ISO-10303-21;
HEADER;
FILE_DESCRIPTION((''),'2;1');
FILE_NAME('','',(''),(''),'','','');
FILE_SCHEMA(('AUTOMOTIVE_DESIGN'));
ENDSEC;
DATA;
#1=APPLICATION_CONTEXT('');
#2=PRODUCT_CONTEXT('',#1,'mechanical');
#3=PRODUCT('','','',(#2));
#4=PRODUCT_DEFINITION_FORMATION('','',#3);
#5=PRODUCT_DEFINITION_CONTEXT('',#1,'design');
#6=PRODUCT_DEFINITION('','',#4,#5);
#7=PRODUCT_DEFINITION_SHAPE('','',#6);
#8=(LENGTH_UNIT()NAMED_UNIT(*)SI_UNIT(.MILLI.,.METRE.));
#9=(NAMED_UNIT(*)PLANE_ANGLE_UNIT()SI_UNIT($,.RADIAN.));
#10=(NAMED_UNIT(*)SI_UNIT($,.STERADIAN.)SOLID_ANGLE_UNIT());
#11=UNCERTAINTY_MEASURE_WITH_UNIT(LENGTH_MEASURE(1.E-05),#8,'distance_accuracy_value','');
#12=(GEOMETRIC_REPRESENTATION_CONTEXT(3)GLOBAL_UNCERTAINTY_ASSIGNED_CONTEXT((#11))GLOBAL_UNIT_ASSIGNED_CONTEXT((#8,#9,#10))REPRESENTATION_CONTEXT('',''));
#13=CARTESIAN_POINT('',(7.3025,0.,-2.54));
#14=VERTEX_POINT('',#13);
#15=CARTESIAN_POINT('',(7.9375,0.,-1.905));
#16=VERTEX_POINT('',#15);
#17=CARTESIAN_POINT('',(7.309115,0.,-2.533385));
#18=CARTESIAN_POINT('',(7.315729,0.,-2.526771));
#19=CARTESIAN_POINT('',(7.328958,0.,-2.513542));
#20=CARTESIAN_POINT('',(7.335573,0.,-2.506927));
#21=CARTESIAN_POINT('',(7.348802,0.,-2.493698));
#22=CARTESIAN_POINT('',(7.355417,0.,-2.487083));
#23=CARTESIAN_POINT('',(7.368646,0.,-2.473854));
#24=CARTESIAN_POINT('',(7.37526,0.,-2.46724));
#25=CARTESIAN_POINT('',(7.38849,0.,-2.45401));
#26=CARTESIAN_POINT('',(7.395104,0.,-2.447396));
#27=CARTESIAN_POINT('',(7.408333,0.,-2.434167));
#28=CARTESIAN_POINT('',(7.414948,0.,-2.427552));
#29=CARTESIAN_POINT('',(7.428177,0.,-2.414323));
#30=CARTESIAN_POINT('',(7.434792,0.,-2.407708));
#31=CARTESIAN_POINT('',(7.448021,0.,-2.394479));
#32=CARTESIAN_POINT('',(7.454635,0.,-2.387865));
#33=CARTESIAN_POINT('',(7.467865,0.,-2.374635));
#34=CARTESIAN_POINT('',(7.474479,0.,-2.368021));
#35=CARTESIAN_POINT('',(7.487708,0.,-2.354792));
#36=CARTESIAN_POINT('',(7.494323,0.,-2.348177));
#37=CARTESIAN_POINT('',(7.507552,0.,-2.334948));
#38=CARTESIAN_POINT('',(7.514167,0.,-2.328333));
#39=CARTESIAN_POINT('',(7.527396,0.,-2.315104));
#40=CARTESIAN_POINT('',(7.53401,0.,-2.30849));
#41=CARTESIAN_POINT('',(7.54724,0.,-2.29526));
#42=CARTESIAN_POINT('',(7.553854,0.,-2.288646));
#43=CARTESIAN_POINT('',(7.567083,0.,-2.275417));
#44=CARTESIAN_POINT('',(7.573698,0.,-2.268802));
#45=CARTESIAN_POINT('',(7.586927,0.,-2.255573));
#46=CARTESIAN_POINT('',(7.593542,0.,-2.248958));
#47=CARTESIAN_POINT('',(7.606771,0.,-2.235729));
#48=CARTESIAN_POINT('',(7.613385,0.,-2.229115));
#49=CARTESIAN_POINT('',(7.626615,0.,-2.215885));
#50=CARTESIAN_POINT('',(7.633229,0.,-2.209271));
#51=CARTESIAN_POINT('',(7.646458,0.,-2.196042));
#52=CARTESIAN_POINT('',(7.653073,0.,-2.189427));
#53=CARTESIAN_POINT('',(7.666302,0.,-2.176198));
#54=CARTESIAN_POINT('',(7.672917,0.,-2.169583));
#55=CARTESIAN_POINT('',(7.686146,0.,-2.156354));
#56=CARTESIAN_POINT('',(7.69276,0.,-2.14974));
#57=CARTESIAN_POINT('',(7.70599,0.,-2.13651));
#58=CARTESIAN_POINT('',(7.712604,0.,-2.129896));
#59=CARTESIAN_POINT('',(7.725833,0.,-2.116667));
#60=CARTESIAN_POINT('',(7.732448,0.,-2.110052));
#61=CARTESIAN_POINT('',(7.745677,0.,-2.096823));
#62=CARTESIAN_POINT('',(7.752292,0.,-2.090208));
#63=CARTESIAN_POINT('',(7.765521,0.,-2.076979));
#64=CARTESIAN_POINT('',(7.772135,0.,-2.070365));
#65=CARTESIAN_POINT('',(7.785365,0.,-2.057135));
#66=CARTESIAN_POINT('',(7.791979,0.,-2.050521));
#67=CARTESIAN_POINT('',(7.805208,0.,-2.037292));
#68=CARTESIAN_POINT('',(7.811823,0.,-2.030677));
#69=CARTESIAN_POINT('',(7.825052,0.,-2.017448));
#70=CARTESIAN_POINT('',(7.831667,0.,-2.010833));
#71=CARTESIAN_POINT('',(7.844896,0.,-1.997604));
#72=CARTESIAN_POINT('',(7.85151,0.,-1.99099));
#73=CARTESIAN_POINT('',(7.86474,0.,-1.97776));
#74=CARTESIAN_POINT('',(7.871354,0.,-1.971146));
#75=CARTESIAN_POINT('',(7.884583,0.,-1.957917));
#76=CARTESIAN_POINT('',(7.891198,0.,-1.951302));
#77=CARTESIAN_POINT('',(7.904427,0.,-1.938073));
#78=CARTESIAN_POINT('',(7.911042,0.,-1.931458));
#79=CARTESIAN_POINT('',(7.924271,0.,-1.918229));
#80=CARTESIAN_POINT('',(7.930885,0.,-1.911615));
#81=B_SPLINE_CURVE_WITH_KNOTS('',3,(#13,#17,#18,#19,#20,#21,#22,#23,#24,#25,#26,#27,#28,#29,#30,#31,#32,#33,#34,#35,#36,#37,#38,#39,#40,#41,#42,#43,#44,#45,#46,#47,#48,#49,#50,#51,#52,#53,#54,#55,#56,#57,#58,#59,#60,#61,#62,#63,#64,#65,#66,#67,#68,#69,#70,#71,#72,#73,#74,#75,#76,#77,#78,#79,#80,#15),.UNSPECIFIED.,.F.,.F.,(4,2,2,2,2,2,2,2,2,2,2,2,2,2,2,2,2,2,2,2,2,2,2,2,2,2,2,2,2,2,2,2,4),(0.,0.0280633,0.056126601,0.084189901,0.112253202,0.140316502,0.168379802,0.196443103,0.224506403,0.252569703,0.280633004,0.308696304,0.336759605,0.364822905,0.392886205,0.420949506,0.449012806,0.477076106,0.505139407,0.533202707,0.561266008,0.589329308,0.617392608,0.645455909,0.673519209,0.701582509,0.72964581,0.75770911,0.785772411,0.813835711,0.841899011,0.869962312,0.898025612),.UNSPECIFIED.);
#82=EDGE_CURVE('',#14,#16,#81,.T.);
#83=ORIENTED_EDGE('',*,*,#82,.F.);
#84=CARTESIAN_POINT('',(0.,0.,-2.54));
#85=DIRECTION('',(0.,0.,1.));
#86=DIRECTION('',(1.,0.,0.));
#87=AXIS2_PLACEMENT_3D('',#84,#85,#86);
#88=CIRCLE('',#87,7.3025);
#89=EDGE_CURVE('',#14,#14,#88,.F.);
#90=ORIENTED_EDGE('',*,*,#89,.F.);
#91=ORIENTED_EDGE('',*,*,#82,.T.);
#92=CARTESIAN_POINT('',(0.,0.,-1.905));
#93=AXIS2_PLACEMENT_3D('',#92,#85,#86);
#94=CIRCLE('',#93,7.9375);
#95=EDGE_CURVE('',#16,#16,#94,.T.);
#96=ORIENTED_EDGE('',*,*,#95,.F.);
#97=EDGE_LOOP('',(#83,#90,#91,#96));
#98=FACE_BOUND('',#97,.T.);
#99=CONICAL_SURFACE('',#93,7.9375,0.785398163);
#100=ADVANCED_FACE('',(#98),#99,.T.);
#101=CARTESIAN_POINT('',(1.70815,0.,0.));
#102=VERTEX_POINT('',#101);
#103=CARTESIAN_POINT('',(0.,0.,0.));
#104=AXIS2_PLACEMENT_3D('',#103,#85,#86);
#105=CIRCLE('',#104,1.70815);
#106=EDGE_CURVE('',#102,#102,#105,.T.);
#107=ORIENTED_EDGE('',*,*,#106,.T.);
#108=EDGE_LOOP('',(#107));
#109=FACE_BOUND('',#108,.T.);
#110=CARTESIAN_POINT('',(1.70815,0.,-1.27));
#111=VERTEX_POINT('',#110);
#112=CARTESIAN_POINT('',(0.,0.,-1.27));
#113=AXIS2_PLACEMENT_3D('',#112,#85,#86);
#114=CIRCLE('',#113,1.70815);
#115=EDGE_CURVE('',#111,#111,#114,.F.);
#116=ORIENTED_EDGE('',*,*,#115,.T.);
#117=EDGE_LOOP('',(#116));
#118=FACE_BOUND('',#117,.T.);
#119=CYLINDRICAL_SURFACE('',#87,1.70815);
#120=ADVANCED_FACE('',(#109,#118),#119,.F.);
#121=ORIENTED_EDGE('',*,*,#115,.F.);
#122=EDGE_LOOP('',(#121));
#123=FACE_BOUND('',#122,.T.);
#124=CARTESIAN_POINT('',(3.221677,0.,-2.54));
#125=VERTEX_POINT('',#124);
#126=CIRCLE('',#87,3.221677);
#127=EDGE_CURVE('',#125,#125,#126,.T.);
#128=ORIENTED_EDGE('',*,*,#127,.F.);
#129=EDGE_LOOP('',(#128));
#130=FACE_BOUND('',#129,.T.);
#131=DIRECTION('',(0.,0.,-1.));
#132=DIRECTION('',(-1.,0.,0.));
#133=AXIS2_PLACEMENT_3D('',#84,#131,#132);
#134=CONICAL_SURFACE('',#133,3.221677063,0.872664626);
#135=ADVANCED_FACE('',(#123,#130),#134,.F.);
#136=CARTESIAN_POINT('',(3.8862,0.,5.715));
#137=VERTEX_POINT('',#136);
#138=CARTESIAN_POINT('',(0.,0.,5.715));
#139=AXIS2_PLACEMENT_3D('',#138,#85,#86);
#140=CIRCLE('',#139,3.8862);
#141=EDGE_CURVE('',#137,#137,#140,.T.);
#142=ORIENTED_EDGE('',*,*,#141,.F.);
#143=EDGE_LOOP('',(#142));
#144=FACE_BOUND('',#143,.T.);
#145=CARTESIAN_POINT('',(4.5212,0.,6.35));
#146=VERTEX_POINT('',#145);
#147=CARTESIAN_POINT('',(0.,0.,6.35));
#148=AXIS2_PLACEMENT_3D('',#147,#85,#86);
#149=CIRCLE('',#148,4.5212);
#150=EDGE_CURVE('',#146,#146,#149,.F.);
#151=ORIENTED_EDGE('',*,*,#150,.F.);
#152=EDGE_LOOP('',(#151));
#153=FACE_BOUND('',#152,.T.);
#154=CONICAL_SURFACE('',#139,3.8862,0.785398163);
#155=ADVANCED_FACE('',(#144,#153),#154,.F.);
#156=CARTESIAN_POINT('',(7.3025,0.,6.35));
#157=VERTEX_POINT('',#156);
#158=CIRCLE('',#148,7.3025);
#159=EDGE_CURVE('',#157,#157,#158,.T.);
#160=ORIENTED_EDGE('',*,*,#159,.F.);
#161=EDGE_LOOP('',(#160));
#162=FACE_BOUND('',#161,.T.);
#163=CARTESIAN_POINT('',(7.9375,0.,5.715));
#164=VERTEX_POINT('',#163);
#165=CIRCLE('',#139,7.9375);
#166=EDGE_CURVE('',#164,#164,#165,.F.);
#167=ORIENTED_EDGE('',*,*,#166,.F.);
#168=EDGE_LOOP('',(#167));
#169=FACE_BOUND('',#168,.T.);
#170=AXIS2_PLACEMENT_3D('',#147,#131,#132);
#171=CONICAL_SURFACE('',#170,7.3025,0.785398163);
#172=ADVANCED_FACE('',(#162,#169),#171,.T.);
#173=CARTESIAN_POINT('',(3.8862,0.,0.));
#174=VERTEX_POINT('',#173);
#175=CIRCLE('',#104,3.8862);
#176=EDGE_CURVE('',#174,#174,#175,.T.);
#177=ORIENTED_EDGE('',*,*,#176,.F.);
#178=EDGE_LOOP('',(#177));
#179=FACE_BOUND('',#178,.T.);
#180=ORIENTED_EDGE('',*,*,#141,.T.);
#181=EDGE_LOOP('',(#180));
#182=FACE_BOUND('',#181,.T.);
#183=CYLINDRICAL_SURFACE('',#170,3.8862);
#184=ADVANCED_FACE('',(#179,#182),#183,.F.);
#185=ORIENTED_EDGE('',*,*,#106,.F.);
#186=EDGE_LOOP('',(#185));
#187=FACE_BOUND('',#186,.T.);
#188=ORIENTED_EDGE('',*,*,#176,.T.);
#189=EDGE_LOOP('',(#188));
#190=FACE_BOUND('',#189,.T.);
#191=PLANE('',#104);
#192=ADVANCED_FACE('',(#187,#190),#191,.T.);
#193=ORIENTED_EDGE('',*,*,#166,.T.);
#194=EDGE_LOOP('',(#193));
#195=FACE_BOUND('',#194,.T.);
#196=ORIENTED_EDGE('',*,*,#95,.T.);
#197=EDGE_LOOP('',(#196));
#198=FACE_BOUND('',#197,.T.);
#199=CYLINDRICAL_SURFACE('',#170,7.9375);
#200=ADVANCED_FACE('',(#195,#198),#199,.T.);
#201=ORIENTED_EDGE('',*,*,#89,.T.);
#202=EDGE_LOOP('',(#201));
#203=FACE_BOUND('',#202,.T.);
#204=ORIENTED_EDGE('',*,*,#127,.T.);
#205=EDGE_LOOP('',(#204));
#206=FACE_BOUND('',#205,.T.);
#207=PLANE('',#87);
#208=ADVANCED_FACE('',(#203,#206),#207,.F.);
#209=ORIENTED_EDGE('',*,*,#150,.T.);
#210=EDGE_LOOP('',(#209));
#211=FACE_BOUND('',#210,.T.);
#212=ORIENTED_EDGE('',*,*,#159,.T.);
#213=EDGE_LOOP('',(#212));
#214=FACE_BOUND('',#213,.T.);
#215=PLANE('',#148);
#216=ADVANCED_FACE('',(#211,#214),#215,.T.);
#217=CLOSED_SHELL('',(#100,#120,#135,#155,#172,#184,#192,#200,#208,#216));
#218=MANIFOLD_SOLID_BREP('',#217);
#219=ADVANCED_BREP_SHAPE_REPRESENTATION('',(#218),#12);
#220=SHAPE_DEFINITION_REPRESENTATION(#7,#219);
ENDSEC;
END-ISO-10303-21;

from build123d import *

# Parameters (mm, degrees)
SKETCH2_R             = 7.9375
SKETCH2_R_2           = 3.8862
BOSS_EXTRUDE1_DEPTH   = 6.35
SKETCH2_R_3           = 1.70815
BOSS_EXTRUDE1_2_DEPTH = 6.35
BOSS_EXTRUDE3_START   = -2.54
SKETCH2_6_R           = 7.9375
SKETCH2_6_R_2         = 1.70815
BOSS_EXTRUDE3_DEPTH   = 2.54
CHAMFER2_SIZE         = 1.27
CHAMFER2_SIZE2        = 1.513527063
CHAMFER3_SIZE         = 0.635


with BuildPart() as part:
    # Sketch2 → Boss-Extrude1 (new body)
    with BuildSketch(Plane(origin=(0, 0, 0), x_dir=(0, 1, 0), z_dir=(0, 0, 1))):
        with Locations(Location((0, 0, 0), (0, 0, 270))):
            Circle(SKETCH2_R)
        with Locations(Location((0, 0, 0), (0, 0, 270))):
            Circle(SKETCH2_R_2, mode=Mode.SUBTRACT)
    extrude(amount=BOSS_EXTRUDE1_DEPTH)

    # Sketch2<6> → Boss-Extrude3 (add)
    with BuildSketch(Plane(origin=(0, 0, 0), x_dir=(0, 1, 0), z_dir=(0, 0, 1)).offset(BOSS_EXTRUDE3_START)):
        with Locations(Location((0, 0, 0), (0, 0, 270))):
            Circle(SKETCH2_6_R)
        with Locations(Location((0, 0, 0), (0, 0, 270))):
            Circle(SKETCH2_6_R_2, mode=Mode.SUBTRACT)
    extrude(amount=BOSS_EXTRUDE3_DEPTH)

    # Chamfer2
    chamfer2_edges = [part.edges().sort_by_distance(p)[0] for p in [
        (-1.70815, 0, -2.54),
    ]]
    chamfer2_side = [part.faces().sort_by_distance(p)[0] for p in [
        (-1.70815, 0, -1.27),
    ]]
    chamfer(chamfer2_edges, length=CHAMFER2_SIZE, length2=CHAMFER2_SIZE2, reference=chamfer2_side[0])

    # Chamfer3
    chamfer3_edges = [part.edges().sort_by_distance(p)[0] for p in [
        (-7.9375, 0, 6.35),
        (-7.9375, 0, -2.54),
        (-3.8862, 0, 6.35),
    ]]
    chamfer(chamfer3_edges, length=CHAMFER3_SIZE)


with BuildPart() as body_2:
    # Sketch2 → Boss-Extrude1 2 (new body)
    with BuildSketch(Plane(origin=(0, 0, 0), x_dir=(0, 1, 0), z_dir=(0, 0, 1))):
        with Locations(Location((0, 0, 0), (0, 0, 270))):
            Circle(SKETCH2_R_3)
    extrude(amount=BOSS_EXTRUDE1_2_DEPTH)


solid = part.part
